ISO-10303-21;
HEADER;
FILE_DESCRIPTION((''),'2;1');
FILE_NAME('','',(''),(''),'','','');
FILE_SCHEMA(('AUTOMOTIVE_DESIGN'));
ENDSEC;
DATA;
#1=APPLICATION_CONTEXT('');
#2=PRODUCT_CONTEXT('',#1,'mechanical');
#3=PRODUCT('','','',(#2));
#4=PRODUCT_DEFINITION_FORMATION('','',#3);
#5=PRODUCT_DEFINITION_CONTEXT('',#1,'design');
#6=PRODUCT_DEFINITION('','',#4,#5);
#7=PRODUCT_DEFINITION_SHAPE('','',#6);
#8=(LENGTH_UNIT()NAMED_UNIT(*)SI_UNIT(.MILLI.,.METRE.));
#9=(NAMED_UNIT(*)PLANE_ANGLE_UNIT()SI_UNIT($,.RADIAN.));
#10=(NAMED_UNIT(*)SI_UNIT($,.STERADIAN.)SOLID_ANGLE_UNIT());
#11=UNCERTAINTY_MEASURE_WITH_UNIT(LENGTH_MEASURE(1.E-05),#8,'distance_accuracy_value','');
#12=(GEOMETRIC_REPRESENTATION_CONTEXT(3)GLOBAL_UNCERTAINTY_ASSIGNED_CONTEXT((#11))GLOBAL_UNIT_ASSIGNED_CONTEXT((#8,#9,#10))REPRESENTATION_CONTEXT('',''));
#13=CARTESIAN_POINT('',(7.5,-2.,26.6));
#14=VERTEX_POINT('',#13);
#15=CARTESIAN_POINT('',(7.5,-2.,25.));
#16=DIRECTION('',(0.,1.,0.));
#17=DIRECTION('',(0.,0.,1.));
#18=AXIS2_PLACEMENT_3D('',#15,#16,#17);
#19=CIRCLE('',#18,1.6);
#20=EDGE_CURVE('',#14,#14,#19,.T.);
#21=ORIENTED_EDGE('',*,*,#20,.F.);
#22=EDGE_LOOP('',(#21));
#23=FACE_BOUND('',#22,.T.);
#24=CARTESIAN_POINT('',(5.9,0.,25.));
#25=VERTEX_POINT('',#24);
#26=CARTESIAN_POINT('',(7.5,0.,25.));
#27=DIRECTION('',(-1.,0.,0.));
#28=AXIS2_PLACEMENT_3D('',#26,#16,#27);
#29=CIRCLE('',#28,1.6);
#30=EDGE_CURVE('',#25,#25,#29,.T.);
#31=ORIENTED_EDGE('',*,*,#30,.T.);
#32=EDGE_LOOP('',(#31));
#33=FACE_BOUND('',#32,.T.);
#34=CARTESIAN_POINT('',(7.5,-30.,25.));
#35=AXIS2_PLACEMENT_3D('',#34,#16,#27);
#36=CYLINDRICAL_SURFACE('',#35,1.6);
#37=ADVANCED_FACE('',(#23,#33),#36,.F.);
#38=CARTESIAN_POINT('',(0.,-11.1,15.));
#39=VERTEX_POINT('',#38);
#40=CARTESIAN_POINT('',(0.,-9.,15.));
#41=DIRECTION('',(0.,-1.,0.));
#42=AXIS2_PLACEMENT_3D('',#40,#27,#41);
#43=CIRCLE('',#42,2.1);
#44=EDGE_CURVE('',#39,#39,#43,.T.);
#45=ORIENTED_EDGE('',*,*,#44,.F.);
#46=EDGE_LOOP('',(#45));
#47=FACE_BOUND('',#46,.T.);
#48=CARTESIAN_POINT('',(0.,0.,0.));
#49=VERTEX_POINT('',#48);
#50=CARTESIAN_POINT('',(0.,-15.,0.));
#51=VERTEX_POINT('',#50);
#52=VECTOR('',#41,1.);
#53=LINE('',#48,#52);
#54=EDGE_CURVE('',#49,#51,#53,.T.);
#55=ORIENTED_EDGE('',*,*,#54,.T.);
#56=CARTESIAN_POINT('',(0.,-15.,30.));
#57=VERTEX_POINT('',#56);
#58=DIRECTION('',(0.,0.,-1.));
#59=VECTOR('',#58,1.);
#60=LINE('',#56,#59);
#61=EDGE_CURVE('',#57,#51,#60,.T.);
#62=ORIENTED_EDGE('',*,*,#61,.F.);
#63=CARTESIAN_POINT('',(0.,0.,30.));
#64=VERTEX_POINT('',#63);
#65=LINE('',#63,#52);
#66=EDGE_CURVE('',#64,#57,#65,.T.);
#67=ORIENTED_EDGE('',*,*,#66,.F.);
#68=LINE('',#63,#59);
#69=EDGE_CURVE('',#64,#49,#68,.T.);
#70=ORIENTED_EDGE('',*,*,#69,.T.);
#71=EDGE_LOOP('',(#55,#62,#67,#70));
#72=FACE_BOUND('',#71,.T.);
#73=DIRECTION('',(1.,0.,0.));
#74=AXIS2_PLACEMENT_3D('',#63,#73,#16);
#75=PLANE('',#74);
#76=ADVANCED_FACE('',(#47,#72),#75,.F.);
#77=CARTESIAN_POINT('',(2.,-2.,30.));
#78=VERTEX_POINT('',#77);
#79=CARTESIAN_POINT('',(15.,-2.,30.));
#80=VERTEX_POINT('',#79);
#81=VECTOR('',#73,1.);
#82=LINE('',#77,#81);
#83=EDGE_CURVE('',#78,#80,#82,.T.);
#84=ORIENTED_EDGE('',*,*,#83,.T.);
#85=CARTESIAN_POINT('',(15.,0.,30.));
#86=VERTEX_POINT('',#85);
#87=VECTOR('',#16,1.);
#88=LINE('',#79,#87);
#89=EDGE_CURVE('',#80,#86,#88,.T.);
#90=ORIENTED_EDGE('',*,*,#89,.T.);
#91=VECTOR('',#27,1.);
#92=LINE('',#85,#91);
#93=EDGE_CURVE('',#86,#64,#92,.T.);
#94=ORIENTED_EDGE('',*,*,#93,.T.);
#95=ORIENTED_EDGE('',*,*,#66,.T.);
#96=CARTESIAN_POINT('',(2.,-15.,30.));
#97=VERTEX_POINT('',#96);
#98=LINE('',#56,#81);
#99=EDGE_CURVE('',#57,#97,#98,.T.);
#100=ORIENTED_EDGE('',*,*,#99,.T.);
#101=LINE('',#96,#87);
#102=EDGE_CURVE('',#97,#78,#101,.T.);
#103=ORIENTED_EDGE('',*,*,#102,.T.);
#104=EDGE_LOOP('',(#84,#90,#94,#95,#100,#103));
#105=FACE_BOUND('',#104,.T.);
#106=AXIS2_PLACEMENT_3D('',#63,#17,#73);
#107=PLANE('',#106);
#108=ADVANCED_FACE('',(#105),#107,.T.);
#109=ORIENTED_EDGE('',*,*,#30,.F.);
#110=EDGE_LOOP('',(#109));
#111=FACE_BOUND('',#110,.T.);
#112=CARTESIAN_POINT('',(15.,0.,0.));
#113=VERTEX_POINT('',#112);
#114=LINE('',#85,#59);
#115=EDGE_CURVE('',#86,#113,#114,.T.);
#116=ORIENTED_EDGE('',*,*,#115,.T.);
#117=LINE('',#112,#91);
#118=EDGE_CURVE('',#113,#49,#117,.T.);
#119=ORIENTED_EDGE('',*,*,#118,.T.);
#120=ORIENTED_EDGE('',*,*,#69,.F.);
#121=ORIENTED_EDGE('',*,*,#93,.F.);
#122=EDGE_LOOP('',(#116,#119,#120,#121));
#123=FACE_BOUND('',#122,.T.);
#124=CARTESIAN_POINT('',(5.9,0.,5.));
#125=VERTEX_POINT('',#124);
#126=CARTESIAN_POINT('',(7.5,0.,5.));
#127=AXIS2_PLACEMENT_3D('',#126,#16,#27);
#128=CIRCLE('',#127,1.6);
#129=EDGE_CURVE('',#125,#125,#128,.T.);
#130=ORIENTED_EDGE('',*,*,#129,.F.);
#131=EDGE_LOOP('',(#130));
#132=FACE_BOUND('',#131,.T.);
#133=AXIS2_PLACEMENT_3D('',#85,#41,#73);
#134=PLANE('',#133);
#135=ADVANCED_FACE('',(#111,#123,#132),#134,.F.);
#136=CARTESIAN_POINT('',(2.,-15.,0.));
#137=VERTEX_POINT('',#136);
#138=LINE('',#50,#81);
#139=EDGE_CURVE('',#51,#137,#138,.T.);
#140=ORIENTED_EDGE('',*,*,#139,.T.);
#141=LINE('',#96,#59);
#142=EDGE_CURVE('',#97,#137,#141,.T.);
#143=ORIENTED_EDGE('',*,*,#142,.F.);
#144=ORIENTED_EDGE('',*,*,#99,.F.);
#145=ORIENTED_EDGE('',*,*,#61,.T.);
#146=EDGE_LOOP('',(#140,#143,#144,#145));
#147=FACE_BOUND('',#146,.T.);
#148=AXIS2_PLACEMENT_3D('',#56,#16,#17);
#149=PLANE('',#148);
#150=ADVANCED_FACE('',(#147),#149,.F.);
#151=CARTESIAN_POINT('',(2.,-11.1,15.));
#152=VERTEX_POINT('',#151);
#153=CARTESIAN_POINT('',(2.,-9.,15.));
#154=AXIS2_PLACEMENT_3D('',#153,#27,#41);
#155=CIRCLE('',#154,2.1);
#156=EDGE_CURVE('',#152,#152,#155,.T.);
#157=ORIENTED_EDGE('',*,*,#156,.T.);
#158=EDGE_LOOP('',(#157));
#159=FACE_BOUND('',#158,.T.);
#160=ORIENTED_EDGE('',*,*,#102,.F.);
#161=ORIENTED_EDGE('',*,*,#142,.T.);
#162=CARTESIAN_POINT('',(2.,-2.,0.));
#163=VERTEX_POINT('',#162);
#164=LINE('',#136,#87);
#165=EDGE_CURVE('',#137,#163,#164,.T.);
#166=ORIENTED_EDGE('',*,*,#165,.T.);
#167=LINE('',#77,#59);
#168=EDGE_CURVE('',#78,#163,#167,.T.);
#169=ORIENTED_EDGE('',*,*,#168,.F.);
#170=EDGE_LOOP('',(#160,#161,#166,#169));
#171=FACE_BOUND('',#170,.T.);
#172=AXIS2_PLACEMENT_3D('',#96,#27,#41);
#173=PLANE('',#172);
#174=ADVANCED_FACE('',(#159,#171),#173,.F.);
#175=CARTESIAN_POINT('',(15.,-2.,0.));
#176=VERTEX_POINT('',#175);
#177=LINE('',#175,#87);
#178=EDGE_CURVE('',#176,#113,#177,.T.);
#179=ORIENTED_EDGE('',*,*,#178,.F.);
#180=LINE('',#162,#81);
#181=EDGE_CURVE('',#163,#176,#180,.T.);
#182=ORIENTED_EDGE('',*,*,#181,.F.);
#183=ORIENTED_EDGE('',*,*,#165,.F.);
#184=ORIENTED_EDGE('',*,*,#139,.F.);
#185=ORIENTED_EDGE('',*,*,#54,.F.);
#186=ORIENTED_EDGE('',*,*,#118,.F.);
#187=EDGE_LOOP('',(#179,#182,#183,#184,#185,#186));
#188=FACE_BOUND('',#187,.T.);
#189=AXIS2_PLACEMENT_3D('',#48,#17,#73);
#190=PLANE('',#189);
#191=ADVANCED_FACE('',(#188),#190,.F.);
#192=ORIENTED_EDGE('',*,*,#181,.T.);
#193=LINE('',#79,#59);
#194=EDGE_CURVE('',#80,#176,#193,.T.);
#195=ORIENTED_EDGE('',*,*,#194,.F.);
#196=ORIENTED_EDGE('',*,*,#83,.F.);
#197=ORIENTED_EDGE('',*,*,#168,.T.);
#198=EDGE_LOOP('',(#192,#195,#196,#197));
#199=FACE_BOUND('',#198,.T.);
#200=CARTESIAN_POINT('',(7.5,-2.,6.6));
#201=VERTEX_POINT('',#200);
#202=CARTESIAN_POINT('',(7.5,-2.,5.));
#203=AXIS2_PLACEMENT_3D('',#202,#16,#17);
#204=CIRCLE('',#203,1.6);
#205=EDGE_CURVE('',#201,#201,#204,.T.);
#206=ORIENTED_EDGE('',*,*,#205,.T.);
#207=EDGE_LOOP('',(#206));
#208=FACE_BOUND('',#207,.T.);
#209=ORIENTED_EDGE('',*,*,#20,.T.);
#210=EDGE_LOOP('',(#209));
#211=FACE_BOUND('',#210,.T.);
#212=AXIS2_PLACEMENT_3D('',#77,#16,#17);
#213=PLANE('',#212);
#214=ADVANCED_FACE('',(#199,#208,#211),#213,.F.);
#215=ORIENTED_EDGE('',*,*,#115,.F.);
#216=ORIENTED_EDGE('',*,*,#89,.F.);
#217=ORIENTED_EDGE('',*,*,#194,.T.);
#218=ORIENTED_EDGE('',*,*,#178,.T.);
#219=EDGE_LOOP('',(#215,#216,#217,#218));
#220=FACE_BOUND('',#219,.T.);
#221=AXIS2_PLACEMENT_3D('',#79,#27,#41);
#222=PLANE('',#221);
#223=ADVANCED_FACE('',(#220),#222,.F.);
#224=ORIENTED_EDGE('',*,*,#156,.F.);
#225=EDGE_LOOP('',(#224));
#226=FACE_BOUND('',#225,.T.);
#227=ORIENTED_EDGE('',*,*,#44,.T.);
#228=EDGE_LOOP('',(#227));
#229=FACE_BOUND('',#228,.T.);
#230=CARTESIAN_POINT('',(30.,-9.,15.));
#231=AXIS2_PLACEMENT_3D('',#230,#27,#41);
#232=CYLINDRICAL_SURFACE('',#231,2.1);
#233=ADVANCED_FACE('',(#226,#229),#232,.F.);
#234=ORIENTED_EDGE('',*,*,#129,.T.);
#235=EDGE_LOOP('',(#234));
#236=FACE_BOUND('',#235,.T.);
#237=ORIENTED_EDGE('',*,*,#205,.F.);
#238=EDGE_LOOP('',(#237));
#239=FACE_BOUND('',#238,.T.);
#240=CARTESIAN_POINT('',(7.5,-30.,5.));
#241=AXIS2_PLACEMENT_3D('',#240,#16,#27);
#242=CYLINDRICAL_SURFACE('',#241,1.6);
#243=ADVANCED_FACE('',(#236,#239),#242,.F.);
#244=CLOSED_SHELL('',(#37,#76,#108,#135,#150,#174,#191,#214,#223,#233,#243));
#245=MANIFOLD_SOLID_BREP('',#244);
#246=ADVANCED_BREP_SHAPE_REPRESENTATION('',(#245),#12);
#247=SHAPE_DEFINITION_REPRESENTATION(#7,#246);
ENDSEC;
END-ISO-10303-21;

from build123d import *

# Parameters (mm, degrees)
EXTRUDE_1_DEPTH     = 30
SKETCH_2_R          = 1.6
CUT_EXTRUDE_1_DEPTH = 30
SKETCH_3_R          = 2.1
CUT_EXTRUDE_2_DEPTH = 30


with BuildPart() as part:
    # ｽｹｯﾁ1 → ﾎﾞｽ - 押し出し1 (new body)
    with BuildSketch(Plane.XY):
        Polygon((0, 0), (0, -15), (2, -15), (2, -2), (15, -2), (15, 0), align=None)
    extrude(amount=EXTRUDE_1_DEPTH)

    # ｽｹｯﾁ2 → ｶｯﾄ - 押し出し1 (cut)
    with BuildSketch(Plane(origin=(0, 0, 0), x_dir=(1, 0, 0), z_dir=(0, 1, 0))):
        with Locations((7.5, -5)):
            Circle(SKETCH_2_R)
        with Locations((7.5, -25)):
            Circle(SKETCH_2_R)
    extrude(amount=-CUT_EXTRUDE_1_DEPTH, mode=Mode.SUBTRACT)

    # ｽｹｯﾁ3 → ｶｯﾄ - 押し出し2 (cut)
    with BuildSketch(Plane.ZY):
        with Locations((15, -9)):
            Circle(SKETCH_3_R)
    extrude(amount=-CUT_EXTRUDE_2_DEPTH, mode=Mode.SUBTRACT)


solid = part.part
